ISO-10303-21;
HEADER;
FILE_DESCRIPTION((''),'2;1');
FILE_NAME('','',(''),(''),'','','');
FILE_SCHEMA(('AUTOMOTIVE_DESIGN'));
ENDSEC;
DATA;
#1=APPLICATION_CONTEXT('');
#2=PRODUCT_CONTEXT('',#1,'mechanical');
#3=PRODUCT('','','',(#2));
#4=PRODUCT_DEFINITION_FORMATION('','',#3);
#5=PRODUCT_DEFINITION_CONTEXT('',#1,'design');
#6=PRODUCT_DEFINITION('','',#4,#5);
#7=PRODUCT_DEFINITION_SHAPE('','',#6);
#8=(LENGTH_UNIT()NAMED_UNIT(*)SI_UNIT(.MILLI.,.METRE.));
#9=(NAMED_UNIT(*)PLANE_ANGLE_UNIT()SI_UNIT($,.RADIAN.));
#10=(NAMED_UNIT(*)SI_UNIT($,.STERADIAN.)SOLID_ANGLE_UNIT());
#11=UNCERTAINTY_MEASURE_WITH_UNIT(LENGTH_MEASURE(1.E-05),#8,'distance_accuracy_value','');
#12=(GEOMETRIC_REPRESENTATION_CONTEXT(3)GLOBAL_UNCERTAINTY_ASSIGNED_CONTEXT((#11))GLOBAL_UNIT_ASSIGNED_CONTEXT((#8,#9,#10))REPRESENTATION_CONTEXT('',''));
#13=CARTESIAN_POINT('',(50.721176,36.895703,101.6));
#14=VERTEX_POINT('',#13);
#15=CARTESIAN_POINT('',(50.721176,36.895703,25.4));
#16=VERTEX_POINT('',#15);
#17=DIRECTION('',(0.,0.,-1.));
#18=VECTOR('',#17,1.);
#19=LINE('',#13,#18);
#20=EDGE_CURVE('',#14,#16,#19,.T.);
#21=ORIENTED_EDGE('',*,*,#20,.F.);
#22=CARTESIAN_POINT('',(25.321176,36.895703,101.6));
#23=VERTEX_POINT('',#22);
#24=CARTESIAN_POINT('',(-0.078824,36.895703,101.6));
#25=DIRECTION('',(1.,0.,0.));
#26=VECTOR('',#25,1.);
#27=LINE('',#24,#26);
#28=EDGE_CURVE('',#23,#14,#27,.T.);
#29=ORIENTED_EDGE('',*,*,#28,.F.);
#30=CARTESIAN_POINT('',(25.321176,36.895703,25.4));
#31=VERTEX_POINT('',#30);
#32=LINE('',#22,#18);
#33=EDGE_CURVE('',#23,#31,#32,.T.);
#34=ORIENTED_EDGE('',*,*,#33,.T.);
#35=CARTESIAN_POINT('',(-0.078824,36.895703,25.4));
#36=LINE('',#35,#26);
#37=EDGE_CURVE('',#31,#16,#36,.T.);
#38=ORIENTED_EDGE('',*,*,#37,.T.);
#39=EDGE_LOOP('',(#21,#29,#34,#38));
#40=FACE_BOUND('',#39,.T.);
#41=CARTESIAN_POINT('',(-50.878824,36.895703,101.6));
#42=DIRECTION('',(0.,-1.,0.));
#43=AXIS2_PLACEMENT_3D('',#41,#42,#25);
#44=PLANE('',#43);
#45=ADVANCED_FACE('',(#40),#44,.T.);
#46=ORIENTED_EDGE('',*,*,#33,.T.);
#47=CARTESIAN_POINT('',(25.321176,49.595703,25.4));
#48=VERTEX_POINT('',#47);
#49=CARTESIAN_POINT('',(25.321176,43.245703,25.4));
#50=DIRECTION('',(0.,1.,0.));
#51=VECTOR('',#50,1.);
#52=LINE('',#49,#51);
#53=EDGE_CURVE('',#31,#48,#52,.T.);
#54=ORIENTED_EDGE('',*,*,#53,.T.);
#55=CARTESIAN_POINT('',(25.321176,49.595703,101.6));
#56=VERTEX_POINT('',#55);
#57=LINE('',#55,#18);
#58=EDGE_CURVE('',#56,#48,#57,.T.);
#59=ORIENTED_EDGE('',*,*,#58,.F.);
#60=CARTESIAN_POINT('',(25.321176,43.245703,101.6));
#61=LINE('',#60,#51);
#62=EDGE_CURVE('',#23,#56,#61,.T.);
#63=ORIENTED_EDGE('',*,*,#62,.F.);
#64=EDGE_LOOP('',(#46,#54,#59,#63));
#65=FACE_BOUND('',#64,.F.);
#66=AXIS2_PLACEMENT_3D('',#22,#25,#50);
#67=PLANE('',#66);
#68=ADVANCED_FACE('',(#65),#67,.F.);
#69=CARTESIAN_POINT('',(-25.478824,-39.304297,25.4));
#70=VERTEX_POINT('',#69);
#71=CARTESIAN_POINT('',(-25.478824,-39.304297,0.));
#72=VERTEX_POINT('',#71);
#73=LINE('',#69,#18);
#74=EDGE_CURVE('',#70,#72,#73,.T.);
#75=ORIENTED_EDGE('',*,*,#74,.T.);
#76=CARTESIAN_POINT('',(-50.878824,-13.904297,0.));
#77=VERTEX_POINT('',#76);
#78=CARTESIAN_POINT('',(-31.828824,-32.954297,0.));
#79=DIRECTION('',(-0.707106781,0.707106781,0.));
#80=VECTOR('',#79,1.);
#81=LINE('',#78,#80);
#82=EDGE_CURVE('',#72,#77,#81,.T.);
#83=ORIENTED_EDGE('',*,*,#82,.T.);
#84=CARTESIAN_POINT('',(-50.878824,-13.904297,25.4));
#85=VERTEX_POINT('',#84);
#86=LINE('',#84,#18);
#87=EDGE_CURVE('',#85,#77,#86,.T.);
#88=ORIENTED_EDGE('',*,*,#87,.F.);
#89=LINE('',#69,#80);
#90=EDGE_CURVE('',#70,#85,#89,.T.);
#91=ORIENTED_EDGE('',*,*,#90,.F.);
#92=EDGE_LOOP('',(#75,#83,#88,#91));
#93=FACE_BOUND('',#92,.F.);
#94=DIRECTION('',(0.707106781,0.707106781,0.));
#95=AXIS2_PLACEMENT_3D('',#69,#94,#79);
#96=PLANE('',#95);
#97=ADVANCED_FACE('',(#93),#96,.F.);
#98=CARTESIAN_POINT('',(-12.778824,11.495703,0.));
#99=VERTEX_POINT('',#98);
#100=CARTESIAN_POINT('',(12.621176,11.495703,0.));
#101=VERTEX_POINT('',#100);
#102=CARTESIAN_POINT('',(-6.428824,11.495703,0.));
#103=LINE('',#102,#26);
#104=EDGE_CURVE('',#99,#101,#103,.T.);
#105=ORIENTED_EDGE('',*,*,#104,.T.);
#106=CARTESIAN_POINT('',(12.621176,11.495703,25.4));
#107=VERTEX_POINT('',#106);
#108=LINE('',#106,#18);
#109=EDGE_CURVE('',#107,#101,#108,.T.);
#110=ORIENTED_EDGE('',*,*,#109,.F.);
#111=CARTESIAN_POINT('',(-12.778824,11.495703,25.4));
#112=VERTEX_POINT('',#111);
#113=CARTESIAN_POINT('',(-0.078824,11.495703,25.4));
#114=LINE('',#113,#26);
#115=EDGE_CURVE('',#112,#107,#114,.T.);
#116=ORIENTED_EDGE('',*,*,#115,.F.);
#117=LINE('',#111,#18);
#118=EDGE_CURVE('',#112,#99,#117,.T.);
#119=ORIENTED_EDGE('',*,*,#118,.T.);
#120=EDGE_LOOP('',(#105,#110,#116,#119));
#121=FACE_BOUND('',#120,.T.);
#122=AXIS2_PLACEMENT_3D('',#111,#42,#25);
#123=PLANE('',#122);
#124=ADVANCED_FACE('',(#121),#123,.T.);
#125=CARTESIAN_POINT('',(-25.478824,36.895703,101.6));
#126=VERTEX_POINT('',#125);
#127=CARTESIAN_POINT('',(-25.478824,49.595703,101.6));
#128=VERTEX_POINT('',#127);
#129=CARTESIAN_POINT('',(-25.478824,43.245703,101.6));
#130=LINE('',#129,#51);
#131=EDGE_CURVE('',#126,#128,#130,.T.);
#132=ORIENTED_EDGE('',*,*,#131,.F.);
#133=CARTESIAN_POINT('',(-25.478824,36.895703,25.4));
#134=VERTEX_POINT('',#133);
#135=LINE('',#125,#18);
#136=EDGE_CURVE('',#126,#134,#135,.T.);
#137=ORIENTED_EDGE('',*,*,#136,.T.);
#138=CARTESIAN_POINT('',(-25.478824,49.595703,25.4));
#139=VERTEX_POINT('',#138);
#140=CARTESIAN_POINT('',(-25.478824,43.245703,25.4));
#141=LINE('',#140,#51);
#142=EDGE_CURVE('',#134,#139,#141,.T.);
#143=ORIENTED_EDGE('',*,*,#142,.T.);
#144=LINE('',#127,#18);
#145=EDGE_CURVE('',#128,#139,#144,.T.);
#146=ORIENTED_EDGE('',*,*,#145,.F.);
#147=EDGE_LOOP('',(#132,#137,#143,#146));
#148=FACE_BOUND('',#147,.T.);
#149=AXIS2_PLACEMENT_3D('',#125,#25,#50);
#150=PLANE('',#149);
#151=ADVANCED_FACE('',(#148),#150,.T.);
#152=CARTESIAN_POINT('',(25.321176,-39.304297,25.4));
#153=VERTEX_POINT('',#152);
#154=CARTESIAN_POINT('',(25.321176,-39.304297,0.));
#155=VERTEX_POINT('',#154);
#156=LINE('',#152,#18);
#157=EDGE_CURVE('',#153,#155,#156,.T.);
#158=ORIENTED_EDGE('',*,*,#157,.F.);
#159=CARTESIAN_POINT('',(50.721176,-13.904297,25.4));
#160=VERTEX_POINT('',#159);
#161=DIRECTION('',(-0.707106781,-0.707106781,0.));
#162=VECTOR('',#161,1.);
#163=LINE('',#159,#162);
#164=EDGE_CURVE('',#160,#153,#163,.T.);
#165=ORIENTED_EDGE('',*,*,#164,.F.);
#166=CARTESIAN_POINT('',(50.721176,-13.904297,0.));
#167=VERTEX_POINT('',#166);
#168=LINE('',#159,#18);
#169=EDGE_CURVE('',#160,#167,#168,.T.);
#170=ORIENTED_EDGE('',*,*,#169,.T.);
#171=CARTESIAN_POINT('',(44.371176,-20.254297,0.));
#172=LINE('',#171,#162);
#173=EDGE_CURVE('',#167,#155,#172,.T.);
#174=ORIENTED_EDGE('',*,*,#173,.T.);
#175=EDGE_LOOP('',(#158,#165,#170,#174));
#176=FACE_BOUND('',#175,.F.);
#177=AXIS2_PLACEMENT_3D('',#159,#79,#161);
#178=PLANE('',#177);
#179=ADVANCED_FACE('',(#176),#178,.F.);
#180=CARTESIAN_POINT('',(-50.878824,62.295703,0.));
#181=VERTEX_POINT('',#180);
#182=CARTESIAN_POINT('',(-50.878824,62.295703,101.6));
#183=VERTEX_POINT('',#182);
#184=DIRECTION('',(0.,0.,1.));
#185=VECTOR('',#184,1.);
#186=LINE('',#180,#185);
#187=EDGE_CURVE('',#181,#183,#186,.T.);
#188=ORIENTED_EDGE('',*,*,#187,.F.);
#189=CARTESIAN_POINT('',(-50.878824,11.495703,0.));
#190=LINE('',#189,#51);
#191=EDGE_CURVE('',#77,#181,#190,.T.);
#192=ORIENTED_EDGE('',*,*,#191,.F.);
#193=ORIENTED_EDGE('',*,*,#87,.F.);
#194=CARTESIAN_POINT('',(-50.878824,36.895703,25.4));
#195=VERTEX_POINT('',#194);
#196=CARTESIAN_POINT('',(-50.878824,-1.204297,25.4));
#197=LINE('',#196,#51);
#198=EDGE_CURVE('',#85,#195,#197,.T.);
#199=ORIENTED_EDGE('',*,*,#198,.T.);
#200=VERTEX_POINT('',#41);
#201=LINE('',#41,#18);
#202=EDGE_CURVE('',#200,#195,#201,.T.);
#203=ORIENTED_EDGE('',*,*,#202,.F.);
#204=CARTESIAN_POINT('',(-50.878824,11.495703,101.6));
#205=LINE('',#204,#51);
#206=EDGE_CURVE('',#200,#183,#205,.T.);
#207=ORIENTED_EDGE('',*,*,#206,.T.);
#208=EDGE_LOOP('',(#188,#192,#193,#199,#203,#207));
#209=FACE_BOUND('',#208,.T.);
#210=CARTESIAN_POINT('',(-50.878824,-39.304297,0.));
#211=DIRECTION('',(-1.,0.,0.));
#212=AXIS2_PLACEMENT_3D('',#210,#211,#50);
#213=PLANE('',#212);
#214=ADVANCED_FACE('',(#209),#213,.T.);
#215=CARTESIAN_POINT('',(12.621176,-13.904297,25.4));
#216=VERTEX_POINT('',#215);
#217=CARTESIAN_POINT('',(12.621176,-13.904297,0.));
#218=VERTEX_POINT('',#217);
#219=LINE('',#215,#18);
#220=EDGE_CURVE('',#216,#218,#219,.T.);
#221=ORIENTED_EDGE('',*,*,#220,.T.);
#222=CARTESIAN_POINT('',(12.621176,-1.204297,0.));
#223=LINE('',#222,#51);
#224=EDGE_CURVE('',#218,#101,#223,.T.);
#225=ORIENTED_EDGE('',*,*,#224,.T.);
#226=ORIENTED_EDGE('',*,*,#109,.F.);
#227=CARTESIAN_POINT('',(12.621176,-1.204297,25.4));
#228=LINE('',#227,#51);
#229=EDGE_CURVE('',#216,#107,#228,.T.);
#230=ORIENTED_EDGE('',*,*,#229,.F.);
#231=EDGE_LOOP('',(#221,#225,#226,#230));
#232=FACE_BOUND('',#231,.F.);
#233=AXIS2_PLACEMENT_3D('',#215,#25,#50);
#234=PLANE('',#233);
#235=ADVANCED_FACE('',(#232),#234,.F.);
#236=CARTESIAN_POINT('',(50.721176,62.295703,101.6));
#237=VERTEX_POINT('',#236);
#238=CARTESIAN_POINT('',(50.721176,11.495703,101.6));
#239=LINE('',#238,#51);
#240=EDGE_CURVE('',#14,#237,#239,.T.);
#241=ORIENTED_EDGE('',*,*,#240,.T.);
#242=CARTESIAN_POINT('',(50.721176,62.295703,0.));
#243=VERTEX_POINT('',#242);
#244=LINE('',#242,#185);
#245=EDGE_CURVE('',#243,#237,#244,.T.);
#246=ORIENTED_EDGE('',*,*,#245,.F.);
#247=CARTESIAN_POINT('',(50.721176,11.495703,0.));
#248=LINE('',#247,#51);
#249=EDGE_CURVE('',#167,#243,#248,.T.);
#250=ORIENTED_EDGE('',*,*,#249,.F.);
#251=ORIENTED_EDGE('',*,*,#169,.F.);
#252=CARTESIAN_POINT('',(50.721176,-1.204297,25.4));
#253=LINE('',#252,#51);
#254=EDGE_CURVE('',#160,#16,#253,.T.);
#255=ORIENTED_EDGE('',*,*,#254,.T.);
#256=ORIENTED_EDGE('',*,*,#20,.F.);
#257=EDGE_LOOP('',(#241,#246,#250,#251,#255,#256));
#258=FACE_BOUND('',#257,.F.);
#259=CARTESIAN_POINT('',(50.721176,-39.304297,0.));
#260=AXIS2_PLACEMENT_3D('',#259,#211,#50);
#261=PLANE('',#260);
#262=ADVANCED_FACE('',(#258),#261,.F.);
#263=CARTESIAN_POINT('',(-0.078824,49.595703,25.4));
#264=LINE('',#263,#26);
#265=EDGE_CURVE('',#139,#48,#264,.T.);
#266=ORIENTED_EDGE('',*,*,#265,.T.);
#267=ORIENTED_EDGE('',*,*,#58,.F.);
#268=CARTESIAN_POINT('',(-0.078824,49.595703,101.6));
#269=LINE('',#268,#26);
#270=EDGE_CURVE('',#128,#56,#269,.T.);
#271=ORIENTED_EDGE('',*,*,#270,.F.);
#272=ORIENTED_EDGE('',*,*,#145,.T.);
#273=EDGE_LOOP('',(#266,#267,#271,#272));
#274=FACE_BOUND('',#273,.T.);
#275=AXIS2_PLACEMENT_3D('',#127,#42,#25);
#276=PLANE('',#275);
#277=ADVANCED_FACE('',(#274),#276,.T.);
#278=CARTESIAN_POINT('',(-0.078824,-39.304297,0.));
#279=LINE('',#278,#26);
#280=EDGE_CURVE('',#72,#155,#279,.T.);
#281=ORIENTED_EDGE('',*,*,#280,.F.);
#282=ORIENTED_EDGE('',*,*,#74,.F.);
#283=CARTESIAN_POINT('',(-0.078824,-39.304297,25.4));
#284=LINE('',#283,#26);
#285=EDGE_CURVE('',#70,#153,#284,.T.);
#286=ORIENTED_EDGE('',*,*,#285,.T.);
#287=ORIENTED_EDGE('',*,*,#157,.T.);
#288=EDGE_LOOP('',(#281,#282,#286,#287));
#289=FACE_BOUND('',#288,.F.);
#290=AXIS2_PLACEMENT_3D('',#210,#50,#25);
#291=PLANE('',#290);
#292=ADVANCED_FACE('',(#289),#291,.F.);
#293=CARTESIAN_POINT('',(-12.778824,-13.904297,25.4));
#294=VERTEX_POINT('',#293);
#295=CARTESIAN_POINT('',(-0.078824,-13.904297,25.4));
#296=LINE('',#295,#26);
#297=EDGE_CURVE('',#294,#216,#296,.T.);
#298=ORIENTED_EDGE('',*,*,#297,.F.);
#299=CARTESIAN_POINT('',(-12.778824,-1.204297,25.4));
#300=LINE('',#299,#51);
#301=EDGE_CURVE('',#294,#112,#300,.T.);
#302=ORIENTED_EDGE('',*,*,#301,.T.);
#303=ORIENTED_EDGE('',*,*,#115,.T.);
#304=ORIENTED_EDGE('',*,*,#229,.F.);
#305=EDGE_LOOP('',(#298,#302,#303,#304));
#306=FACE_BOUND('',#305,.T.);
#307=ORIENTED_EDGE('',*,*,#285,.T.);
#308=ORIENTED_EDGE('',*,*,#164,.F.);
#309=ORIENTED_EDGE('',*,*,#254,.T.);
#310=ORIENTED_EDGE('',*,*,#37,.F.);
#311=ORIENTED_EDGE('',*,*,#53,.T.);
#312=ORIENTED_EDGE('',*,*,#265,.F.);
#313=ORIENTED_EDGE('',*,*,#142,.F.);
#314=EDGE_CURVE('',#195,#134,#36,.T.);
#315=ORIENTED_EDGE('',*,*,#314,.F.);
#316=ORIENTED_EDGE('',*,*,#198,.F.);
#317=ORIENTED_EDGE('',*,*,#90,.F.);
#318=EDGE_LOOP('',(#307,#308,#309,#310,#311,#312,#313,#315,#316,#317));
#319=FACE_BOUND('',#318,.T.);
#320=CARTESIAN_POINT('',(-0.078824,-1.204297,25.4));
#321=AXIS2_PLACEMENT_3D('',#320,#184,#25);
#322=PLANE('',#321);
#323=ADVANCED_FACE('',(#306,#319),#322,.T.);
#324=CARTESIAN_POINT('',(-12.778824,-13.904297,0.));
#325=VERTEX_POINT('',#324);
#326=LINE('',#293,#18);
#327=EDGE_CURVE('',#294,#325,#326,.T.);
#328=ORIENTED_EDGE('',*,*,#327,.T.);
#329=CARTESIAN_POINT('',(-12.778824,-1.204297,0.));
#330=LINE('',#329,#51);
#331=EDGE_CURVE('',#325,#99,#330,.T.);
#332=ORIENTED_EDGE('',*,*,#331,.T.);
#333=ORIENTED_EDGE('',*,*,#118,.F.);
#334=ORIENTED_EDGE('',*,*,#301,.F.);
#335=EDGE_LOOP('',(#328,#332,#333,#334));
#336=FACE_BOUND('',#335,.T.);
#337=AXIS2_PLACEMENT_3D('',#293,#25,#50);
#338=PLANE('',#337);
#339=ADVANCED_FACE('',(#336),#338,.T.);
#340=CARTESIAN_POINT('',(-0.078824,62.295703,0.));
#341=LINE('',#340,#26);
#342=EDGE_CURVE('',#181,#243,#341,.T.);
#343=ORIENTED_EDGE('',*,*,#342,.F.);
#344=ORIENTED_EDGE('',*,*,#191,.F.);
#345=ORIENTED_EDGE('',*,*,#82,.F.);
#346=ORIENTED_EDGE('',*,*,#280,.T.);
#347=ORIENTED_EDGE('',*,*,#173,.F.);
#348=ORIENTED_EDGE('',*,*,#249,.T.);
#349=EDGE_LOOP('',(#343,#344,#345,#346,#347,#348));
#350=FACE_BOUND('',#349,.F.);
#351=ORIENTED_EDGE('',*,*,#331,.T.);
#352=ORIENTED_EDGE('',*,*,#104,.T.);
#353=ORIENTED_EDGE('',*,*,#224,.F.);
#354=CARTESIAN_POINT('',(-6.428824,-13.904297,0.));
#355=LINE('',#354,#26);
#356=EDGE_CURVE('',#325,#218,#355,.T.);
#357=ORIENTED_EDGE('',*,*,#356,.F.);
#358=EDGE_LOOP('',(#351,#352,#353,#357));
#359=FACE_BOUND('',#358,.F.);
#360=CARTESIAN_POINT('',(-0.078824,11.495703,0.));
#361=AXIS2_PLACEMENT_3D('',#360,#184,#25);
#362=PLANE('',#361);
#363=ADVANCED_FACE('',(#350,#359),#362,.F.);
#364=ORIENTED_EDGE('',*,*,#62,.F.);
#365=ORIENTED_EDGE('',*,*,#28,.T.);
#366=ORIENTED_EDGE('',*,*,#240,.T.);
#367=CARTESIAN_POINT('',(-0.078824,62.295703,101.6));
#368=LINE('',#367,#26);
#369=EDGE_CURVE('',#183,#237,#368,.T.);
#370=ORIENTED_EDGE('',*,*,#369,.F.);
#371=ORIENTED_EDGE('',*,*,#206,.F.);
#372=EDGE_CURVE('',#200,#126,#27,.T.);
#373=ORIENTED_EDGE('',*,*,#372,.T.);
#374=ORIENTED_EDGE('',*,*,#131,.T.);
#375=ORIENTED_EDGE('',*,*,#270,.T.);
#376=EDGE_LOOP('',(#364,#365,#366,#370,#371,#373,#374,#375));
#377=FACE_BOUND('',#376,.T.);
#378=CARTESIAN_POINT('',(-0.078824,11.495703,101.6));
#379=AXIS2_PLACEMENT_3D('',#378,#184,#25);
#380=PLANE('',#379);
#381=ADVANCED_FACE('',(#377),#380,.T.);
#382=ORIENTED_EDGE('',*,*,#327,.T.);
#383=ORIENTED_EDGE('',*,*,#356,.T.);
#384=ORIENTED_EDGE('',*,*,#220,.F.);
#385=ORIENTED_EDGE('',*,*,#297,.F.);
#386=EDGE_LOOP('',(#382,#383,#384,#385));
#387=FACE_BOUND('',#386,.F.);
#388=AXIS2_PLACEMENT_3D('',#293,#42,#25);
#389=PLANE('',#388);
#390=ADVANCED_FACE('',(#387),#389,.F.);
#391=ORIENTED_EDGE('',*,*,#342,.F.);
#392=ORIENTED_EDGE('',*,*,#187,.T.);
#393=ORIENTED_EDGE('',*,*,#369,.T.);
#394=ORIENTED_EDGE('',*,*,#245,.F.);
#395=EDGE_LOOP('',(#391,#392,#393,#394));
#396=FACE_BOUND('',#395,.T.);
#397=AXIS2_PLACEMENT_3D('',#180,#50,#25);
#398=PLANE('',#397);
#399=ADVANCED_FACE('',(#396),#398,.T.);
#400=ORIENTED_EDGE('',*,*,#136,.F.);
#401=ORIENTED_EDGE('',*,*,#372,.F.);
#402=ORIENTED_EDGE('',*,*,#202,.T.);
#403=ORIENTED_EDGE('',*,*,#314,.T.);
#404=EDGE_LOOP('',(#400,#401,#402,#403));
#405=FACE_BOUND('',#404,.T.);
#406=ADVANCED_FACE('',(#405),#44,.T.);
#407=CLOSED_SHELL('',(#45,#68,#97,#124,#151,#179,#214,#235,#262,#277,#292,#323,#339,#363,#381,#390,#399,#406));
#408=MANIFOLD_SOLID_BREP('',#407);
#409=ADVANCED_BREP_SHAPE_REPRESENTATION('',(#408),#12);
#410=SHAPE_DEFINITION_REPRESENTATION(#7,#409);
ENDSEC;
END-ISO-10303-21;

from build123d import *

# Parameters (mm, degrees)
F0_W     = 101.6
F0_H     = 101.6
F1_DEPTH = 101.6
F2_W     = 101.6
F2_H     = 76.2
F3_DEPTH = 76.2
F4_W     = 50.8
F4_H     = 12.7
F5_DEPTH = 76.2
F6_W     = 25.4
F6_H     = 25.4
F7_DEPTH = 75.438
F9_DEPTH = 57.912


with BuildPart() as f1:
    # F0 (on Top) → F1 (new body)
    with BuildSketch(Plane.XY):
        with Locations((-0.078824, 11.495703)):
            Rectangle(F0_W, F0_H)
    extrude(amount=F1_DEPTH)

    # F2 (on face) → F3 (cut)
    with BuildSketch(Plane.XY.offset(101.6)):
        with Locations((-0.078824, -1.204297)):
            Rectangle(F2_W, F2_H)
    extrude(amount=-F3_DEPTH, mode=Mode.SUBTRACT)

    # F4 (on face) → F5 (cut)
    with BuildSketch(Plane.XY.offset(101.6)):
        with Locations((-0.078824, 43.245703)):
            Rectangle(F4_W, F4_H)
    extrude(amount=-F5_DEPTH, mode=Mode.SUBTRACT)

    # F6 (on face) → F7 (cut)
    with BuildSketch(Plane.XY.offset(25.4)):
        with Locations((-0.078824, -1.204297)):
            Rectangle(F6_W, F6_H)
    extrude(amount=-F7_DEPTH, mode=Mode.SUBTRACT)

    # F8 (on face) → F9 (cut)
    with BuildSketch(Plane.XY.offset(25.4)):
        Polygon((-50.878824, -13.904297), (-50.878824, -39.304297), (-25.478824, -39.304297), align=None)
        Polygon((25.321176, -39.304297), (50.721176, -39.304297), (50.721176, -13.904297), align=None)
    extrude(amount=-F9_DEPTH, mode=Mode.SUBTRACT)


solid = f1.part
